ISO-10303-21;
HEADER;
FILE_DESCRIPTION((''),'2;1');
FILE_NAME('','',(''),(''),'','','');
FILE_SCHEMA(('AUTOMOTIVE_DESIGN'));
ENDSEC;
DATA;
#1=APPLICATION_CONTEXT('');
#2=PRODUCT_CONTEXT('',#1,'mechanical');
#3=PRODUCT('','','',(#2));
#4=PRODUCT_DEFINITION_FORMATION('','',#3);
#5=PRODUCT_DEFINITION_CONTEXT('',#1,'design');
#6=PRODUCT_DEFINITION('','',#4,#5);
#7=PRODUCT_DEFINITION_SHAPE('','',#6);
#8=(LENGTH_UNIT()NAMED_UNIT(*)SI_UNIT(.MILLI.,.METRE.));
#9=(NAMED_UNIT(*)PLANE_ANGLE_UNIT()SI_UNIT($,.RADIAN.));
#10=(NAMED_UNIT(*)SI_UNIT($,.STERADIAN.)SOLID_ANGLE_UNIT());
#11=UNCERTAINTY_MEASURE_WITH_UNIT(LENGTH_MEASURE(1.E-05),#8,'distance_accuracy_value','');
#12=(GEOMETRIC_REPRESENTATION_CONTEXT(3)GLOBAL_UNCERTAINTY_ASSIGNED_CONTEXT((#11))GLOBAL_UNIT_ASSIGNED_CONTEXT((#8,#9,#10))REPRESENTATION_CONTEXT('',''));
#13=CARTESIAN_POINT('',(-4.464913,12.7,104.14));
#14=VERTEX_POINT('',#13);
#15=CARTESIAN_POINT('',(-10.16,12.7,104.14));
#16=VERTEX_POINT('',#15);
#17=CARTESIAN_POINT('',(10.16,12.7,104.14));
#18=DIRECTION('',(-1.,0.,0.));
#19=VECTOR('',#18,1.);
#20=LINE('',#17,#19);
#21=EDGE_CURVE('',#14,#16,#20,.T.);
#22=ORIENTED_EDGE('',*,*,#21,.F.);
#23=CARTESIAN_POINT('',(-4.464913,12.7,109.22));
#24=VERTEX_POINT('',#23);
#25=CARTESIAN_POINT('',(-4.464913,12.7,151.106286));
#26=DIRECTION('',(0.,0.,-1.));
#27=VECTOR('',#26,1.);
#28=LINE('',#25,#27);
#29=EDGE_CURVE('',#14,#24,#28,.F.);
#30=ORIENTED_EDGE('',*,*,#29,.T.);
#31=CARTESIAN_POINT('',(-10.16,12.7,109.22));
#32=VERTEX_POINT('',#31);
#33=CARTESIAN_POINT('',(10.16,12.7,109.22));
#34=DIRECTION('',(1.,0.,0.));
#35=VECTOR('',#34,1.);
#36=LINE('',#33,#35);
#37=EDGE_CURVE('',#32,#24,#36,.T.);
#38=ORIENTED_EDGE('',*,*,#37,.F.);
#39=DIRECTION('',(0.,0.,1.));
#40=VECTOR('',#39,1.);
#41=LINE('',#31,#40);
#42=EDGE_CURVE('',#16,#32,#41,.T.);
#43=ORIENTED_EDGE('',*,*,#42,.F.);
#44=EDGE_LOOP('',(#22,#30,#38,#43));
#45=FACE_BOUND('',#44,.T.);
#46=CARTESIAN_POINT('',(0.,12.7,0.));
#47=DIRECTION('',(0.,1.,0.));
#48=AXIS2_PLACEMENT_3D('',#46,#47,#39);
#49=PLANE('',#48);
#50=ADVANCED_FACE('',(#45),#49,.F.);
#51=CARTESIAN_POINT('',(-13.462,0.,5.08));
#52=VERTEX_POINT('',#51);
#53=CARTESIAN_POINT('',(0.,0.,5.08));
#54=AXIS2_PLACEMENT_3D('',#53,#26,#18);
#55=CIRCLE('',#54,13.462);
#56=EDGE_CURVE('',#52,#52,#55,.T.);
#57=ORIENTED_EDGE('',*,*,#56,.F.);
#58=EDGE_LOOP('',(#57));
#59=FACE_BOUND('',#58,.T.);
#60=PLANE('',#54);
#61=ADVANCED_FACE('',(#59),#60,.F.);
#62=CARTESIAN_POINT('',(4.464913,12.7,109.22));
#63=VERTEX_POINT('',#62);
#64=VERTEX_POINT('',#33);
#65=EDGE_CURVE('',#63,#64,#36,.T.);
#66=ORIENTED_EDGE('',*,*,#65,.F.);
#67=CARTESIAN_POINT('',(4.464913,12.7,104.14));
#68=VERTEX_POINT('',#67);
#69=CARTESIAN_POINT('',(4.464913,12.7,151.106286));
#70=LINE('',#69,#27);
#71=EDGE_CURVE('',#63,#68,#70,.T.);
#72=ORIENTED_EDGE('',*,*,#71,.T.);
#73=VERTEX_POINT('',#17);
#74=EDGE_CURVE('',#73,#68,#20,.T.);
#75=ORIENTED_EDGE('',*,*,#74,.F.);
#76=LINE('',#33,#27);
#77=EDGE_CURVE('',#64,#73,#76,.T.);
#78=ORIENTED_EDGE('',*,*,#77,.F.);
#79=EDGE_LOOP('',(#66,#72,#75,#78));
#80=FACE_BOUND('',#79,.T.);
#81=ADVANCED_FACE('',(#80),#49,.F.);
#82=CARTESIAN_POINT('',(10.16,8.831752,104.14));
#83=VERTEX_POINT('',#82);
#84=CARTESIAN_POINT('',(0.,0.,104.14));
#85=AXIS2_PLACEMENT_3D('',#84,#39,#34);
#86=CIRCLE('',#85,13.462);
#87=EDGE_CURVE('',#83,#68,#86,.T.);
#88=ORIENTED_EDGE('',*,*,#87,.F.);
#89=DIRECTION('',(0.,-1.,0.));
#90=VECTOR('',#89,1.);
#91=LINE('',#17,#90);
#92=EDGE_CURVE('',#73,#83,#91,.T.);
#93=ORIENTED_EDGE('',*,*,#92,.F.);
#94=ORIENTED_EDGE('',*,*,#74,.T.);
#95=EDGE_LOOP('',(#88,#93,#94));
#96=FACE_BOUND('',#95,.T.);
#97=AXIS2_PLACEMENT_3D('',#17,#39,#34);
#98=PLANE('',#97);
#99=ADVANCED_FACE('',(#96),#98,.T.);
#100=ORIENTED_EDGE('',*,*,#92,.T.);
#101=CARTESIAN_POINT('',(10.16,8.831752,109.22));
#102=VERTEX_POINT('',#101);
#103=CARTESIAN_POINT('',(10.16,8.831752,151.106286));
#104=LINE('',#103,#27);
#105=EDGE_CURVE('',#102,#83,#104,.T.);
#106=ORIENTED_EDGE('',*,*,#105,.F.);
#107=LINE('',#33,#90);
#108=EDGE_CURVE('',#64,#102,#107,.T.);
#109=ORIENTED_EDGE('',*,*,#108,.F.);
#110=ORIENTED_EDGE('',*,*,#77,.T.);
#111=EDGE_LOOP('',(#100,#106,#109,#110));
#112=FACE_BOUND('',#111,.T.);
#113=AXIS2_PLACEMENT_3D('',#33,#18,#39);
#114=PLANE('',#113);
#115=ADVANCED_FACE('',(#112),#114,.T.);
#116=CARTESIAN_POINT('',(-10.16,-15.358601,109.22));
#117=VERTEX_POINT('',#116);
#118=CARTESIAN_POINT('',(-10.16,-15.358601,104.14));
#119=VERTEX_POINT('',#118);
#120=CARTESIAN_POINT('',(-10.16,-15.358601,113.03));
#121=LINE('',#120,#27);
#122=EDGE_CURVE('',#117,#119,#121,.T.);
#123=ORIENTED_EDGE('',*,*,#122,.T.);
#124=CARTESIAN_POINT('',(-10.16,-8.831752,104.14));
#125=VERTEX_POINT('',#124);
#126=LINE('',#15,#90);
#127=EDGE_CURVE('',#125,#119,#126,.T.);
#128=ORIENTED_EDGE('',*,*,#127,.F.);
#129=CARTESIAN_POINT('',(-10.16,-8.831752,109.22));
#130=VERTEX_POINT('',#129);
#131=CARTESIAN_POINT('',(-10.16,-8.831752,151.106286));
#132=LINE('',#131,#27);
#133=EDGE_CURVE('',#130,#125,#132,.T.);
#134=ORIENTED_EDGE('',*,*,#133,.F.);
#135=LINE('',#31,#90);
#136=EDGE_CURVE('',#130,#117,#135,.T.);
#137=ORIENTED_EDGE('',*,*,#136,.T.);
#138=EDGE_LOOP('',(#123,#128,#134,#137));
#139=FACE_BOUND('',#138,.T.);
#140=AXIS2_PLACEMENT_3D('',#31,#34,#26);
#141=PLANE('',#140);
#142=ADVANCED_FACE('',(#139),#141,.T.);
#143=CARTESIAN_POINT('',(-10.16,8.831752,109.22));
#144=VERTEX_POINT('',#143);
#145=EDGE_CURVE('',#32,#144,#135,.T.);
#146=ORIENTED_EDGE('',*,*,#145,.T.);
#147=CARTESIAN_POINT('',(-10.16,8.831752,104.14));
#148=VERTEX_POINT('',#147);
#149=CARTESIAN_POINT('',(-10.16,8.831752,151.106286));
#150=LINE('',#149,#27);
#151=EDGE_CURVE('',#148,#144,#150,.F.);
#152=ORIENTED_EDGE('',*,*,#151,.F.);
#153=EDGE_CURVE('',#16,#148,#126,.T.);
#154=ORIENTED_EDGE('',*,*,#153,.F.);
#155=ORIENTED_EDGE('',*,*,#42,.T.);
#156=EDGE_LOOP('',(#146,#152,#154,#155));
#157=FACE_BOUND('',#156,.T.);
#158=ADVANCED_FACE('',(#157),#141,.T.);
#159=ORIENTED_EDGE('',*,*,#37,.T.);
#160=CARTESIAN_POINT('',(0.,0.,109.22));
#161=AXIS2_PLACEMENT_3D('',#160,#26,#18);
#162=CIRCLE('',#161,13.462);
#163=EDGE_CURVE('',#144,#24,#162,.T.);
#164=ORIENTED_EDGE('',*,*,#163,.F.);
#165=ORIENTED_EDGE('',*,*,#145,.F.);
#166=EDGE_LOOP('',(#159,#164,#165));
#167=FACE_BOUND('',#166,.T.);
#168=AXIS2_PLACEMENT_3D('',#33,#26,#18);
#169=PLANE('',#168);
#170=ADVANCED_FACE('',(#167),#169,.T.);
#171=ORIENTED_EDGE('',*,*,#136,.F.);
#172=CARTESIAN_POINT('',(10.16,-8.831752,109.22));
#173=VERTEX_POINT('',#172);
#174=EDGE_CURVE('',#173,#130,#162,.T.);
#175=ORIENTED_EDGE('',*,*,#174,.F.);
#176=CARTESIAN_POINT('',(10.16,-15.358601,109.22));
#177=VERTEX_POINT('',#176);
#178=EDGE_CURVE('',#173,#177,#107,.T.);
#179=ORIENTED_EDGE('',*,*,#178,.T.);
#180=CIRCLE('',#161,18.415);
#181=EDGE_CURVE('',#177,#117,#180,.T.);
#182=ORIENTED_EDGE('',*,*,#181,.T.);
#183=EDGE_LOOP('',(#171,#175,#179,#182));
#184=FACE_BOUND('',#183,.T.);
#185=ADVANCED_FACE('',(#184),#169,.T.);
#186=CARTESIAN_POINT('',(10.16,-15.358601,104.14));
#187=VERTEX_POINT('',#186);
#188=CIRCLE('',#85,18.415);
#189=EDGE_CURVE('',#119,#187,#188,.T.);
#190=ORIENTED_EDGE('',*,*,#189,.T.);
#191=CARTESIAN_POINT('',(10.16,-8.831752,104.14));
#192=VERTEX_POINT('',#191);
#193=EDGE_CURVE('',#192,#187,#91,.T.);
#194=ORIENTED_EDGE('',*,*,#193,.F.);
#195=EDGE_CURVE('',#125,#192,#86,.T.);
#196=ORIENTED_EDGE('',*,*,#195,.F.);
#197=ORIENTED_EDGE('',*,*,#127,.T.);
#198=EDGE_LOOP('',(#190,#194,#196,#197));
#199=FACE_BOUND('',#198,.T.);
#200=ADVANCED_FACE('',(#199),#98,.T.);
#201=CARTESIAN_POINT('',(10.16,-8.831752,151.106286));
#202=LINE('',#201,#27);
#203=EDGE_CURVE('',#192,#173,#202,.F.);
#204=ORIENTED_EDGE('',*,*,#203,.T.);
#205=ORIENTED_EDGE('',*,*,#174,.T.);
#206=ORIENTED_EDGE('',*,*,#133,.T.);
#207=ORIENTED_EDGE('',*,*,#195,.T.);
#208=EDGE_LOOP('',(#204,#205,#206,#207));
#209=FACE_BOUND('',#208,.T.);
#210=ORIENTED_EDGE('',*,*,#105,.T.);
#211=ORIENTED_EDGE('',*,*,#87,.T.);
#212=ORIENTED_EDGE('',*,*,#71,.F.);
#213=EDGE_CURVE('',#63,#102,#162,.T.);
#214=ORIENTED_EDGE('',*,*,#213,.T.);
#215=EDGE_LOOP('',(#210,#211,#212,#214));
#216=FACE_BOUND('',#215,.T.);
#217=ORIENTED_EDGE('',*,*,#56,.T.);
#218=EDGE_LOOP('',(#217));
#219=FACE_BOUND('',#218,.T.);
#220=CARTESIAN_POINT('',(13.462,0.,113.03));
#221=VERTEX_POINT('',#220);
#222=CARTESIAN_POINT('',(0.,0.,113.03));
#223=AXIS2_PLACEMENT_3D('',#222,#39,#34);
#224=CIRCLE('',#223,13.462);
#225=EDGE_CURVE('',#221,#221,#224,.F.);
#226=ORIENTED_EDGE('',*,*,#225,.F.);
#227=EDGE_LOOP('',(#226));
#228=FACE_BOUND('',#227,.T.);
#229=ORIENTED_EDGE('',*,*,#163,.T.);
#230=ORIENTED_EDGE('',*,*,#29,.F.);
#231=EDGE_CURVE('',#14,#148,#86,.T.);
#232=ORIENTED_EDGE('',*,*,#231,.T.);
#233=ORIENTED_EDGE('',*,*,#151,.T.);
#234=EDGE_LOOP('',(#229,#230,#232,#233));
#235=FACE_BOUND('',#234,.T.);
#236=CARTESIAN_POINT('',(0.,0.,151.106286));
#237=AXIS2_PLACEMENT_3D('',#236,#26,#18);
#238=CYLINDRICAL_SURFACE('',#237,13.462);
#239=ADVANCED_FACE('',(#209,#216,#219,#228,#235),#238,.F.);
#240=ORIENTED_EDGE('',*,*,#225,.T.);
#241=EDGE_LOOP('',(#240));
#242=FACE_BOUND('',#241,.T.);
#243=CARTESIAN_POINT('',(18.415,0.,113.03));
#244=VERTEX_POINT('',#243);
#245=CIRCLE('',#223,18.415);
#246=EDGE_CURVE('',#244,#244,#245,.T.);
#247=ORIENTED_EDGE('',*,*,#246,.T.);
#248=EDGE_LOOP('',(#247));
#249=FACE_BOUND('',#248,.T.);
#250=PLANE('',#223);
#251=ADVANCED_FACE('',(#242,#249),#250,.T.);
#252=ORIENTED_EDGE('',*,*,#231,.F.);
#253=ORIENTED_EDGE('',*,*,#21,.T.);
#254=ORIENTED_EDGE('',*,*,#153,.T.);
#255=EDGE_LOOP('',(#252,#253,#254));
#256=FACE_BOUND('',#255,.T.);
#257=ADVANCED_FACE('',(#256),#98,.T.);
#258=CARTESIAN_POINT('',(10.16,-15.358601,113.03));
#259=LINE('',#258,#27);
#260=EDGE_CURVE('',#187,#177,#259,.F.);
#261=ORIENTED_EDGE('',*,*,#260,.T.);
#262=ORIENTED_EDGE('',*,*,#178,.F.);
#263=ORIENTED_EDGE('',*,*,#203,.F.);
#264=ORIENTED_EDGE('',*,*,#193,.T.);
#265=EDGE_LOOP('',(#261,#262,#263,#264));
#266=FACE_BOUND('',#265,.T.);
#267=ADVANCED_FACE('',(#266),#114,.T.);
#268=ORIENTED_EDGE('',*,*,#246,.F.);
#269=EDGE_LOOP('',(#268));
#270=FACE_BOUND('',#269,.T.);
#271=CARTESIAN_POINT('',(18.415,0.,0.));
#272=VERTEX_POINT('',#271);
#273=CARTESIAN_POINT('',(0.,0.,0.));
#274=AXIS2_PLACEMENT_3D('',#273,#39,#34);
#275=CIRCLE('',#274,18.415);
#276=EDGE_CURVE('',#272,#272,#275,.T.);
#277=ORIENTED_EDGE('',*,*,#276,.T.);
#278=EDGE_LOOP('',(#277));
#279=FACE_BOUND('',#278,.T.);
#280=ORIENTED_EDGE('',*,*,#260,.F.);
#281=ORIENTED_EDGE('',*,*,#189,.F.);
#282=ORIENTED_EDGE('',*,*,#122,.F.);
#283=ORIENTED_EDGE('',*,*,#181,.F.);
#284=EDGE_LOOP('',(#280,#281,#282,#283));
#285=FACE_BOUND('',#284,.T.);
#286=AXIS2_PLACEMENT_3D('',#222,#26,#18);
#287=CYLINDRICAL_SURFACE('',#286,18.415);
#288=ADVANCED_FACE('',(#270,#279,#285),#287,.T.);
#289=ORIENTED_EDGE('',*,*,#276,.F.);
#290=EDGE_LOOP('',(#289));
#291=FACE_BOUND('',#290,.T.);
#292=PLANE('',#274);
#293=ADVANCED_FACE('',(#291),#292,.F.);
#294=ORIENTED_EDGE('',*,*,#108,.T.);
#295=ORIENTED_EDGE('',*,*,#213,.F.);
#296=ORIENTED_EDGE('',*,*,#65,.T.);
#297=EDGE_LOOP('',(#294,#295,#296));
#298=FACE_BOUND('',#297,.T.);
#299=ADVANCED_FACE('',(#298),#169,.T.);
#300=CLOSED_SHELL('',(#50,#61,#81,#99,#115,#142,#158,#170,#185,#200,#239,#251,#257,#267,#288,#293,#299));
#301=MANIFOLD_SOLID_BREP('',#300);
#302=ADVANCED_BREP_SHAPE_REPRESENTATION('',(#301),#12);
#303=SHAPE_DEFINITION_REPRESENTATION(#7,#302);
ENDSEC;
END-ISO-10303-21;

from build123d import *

# Parameters (mm, degrees)
SKETCH1_R               = 18.415
BOSS_EXTRUDE2_DEPTH     = 113.03
SKETCH4_W               = 20.32
SKETCH4_H               = 5.08
CUT_EXTRUDE2_DEPTH      = 12.7
CUT_EXTRUDE2_DEPTH_BACK = 22.86
CUT_EXTRUDE3_START      = -5.08
SKETCH5_R               = 13.462
CUT_EXTRUDE3_DEPTH      = 107.95


with BuildPart() as part:
    # Sketch1 → Boss-Extrude2 (new body)
    with BuildSketch(Plane.XY):
        Circle(SKETCH1_R)
    extrude(amount=BOSS_EXTRUDE2_DEPTH)

    # Sketch4 → Cut-Extrude2 (cut, two sides)
    with BuildSketch(Plane(origin=(0, 0, 0), x_dir=(1, 0, 0), z_dir=(0, 1, 0))) as cut_extrude2_sk:
        with Locations((0, -106.68)):
            Rectangle(SKETCH4_W, SKETCH4_H)
    extrude(amount=CUT_EXTRUDE2_DEPTH, mode=Mode.SUBTRACT)
    extrude(cut_extrude2_sk.sketch, amount=-CUT_EXTRUDE2_DEPTH_BACK, mode=Mode.SUBTRACT)

    # Sketch5 → Cut-Extrude3 (cut)
    with BuildSketch(Plane(origin=(0, 0, 0), x_dir=(-1, 0, 0), z_dir=(0, 0, -1)).offset(CUT_EXTRUDE3_START)):
        Circle(SKETCH5_R)
    extrude(amount=-CUT_EXTRUDE3_DEPTH, mode=Mode.SUBTRACT)


solid = part.part
